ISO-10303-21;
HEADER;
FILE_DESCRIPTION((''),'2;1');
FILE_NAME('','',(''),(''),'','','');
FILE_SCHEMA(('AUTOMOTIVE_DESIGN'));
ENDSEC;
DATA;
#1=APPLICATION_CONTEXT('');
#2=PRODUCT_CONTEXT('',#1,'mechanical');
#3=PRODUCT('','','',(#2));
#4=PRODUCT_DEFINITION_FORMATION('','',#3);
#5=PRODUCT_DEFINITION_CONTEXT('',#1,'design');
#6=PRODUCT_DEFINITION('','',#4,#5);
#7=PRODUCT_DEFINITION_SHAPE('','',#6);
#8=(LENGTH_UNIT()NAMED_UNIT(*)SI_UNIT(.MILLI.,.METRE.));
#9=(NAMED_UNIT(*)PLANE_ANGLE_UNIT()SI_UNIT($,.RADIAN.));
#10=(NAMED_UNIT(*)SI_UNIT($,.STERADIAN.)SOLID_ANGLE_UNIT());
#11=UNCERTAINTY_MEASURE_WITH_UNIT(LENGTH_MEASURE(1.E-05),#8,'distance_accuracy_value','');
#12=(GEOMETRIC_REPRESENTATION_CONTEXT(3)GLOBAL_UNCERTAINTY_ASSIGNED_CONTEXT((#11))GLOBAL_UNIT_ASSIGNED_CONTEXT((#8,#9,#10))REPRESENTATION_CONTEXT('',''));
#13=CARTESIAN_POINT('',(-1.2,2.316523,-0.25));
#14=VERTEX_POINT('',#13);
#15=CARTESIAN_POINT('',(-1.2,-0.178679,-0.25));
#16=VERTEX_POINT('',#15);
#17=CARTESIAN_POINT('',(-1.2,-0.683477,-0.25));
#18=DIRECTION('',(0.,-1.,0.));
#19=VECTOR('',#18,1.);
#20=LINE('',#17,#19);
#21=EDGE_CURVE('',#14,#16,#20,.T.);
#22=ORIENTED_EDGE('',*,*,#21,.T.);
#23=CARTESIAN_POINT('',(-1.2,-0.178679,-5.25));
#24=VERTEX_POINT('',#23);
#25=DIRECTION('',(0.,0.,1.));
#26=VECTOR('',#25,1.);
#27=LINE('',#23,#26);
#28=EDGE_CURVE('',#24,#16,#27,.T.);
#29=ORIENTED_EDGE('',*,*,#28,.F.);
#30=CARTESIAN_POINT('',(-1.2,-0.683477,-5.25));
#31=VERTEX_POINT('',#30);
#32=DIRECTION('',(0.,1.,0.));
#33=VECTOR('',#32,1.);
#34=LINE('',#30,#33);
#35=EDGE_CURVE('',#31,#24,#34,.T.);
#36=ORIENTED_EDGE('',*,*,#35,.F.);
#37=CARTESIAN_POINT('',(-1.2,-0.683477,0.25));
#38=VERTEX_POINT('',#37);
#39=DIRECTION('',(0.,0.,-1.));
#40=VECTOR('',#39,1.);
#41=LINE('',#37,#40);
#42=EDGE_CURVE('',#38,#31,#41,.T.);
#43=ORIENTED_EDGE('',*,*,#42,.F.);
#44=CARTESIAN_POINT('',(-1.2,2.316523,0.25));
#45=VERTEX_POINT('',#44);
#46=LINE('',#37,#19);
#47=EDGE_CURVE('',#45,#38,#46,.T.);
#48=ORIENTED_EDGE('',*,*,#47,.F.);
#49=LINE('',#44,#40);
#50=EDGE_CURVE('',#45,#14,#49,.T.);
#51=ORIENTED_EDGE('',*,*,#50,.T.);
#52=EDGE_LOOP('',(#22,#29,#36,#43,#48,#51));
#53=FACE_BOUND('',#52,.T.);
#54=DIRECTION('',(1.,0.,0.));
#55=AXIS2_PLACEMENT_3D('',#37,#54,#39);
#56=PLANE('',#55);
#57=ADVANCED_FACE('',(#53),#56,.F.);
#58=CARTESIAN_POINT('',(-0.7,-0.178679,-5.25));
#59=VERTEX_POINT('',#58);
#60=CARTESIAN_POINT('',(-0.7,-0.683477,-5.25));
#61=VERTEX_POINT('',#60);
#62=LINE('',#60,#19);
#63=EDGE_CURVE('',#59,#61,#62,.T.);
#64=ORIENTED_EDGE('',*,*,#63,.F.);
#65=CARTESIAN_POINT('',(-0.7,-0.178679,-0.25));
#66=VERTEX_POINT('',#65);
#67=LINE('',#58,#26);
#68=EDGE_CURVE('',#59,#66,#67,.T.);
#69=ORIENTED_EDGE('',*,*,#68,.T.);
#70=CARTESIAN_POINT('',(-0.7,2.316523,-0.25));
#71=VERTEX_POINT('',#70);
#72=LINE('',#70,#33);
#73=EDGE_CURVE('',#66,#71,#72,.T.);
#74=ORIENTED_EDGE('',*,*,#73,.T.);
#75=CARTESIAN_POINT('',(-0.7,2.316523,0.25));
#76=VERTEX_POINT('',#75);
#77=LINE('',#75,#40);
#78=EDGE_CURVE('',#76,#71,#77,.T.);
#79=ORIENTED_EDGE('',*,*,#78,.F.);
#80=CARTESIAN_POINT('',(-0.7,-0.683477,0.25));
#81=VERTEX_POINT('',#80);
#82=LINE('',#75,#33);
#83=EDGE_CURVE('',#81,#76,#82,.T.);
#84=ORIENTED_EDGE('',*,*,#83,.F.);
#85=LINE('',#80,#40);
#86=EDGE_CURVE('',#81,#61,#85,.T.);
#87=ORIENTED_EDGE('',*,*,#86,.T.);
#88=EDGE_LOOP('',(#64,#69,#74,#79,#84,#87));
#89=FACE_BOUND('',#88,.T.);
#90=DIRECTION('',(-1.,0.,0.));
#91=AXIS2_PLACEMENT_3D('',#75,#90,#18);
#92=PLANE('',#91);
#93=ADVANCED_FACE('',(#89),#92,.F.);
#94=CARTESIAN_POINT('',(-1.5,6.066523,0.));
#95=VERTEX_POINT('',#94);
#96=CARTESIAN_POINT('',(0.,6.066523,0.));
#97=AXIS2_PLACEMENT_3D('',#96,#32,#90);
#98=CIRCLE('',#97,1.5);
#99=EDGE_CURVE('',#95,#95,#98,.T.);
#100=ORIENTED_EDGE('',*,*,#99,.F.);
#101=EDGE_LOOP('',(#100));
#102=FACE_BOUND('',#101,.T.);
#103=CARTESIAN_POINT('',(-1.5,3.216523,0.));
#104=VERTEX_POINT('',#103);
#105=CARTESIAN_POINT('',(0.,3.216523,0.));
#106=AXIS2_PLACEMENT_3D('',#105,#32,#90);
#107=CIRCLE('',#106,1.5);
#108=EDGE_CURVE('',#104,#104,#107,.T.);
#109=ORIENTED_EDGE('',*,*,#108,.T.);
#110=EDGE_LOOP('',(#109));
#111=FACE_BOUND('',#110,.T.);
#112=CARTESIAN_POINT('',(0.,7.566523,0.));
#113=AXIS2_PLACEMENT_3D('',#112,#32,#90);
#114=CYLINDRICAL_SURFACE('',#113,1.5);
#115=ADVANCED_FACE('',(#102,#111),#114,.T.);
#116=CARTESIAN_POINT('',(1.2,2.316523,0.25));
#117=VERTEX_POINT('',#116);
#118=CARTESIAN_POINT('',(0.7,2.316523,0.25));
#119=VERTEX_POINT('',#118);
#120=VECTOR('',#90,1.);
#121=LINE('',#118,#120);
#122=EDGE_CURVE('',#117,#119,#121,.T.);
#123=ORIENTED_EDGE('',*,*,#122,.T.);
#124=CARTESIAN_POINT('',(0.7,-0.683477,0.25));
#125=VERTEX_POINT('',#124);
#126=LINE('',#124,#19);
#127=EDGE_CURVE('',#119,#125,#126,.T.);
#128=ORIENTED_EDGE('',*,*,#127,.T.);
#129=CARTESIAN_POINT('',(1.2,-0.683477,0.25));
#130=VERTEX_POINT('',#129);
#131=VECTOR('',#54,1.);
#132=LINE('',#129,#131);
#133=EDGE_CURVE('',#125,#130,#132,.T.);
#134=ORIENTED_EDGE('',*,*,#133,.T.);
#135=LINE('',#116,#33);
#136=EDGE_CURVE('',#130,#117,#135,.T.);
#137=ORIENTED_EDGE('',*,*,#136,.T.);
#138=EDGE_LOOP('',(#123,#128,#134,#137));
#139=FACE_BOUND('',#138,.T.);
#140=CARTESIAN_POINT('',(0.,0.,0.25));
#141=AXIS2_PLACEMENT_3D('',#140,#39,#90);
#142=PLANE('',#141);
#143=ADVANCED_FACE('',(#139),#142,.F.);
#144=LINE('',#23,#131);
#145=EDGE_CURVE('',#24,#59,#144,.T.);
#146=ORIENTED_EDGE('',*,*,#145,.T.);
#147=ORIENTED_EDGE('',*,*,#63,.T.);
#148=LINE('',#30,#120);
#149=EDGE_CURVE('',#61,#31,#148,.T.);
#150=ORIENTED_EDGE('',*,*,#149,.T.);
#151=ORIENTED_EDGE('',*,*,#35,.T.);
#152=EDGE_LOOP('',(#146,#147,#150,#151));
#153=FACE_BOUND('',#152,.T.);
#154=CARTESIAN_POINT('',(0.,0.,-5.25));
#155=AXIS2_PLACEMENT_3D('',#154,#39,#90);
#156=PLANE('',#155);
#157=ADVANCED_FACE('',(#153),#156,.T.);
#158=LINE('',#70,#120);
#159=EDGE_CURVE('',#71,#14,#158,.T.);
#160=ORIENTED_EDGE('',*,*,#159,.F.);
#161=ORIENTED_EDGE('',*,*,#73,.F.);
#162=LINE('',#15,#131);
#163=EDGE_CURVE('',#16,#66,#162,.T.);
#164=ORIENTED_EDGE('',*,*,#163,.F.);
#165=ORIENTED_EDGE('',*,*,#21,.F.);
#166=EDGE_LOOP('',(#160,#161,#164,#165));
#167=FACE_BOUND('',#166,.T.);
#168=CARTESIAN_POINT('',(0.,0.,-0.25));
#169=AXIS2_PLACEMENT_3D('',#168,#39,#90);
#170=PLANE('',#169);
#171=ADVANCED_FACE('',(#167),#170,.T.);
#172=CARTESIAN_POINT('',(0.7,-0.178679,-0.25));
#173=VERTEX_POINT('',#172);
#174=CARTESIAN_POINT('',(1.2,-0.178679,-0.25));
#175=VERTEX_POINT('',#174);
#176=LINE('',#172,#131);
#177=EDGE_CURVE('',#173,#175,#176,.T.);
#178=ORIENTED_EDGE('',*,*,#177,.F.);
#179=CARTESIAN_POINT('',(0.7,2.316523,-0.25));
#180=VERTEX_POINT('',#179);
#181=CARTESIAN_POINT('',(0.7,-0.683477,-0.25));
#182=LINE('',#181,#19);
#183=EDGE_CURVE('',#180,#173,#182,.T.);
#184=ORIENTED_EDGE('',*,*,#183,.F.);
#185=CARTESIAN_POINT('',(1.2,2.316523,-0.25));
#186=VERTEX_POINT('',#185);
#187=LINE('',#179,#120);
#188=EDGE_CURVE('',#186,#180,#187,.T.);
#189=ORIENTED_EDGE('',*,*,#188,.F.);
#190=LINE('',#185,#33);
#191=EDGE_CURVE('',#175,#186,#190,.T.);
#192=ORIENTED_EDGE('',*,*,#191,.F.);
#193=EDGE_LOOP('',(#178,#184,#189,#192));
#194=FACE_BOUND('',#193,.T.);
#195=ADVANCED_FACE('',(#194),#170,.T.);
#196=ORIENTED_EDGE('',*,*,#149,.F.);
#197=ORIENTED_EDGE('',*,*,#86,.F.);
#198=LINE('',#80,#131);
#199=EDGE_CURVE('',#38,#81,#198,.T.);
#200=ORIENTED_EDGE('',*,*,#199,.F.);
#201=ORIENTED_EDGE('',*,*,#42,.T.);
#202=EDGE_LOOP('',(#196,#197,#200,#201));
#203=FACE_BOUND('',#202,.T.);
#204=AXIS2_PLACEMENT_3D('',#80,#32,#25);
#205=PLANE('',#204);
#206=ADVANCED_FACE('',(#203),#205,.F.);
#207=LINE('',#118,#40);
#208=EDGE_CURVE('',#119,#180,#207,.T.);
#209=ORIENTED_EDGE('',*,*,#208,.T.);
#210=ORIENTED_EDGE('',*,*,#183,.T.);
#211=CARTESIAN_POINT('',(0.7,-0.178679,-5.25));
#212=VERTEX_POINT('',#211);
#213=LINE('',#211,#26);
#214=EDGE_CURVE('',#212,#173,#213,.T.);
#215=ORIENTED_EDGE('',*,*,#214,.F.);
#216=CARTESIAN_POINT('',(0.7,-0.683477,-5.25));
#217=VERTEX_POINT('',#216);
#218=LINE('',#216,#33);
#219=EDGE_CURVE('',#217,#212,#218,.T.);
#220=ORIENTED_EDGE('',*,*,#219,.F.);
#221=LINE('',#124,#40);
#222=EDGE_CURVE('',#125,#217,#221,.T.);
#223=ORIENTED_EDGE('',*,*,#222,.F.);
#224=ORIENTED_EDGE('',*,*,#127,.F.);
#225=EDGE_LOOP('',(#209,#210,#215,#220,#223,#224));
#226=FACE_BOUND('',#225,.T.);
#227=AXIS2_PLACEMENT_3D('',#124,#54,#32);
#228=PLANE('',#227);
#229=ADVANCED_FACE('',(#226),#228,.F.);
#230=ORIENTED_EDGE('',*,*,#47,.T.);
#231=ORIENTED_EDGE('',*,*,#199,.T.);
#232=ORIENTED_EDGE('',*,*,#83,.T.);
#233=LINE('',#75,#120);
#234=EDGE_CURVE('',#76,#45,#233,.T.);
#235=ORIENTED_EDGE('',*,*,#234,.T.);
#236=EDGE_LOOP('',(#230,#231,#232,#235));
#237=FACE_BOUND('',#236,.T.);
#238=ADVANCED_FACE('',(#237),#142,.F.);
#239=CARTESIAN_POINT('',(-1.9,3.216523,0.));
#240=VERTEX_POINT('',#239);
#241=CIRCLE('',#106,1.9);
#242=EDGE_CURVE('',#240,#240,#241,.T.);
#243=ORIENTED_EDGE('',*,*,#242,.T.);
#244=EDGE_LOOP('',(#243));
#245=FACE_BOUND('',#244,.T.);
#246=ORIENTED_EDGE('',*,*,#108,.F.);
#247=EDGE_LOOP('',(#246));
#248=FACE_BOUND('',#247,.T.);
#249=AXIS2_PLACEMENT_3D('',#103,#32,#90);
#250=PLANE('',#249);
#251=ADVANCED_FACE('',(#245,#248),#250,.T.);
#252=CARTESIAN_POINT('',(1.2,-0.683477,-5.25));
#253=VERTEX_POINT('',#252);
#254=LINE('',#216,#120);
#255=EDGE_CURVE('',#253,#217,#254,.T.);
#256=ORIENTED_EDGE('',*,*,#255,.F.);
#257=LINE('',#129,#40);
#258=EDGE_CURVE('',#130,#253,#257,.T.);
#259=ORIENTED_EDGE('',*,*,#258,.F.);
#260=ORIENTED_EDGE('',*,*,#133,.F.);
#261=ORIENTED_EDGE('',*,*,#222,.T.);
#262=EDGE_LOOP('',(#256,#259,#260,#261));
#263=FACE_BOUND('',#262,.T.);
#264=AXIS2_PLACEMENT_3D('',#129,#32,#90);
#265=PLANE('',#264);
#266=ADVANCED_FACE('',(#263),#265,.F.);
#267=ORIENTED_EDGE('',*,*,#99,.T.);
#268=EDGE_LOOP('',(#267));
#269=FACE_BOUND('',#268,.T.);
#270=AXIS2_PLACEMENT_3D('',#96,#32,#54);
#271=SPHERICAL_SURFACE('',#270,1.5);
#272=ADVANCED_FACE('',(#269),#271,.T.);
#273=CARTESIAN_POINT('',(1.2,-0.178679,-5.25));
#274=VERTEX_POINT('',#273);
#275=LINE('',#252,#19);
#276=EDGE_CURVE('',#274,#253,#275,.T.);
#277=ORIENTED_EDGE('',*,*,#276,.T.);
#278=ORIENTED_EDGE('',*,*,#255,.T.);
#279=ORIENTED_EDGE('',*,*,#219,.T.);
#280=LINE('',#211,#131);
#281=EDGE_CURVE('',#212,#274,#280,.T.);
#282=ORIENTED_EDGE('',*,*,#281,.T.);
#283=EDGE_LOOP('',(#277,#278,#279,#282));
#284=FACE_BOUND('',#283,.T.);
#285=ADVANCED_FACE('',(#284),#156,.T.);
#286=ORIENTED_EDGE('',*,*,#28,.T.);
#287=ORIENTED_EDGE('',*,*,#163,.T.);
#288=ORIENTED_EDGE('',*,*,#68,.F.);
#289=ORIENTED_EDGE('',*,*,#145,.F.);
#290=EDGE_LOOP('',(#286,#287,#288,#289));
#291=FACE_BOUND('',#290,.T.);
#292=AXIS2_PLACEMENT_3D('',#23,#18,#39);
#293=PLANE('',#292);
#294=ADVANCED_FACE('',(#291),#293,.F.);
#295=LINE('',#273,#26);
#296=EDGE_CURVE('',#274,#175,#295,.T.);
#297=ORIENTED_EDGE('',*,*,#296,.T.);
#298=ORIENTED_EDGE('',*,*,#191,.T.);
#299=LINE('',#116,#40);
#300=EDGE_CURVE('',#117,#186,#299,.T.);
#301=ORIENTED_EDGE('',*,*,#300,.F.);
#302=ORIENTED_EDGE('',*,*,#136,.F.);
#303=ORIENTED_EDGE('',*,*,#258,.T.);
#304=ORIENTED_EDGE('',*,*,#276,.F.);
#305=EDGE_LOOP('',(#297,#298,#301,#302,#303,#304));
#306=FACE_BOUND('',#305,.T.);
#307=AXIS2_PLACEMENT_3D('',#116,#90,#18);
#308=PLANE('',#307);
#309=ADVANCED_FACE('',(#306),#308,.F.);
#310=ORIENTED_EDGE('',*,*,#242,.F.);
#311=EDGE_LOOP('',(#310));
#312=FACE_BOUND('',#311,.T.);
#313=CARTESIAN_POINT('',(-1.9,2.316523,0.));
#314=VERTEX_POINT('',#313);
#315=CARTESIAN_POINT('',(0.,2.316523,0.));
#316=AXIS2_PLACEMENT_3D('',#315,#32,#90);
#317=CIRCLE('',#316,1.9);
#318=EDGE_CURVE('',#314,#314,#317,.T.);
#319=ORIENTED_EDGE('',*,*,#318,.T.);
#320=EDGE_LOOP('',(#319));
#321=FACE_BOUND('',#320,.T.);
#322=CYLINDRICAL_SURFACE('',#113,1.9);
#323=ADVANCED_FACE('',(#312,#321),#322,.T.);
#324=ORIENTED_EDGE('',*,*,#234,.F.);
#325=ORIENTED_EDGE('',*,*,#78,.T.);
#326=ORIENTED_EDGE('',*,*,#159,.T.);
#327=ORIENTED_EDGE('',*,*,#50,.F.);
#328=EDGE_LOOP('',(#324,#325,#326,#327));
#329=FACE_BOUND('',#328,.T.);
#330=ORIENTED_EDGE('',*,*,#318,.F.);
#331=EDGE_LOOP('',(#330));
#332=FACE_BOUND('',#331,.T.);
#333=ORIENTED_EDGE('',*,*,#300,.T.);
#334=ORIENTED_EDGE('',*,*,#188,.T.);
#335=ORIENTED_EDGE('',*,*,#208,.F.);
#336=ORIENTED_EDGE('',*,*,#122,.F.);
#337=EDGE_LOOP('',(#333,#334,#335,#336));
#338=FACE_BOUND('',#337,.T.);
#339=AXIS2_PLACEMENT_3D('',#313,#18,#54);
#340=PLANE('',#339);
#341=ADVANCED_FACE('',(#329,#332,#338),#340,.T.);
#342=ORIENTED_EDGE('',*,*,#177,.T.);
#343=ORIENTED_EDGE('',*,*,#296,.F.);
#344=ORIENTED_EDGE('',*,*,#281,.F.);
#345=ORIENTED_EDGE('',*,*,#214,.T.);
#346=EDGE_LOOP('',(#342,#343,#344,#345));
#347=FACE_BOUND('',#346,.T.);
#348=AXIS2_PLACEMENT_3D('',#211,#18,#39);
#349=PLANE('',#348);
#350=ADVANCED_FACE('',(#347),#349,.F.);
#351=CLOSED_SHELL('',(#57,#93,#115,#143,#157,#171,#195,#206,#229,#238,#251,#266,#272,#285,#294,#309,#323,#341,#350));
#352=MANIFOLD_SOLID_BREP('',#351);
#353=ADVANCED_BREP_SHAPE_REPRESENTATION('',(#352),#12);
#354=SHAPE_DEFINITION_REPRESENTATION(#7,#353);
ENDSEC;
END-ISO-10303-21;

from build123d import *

# Parameters (mm, degrees)
SKICA2_W                = 0.5
SKICA2_H                = 3
P_IDAT_VYSUNUT_M1_DEPTH = 0.25
SKICA3_W                = 0.5
SKICA3_H                = 0.504797781
P_IDAT_VYSUNUT_M2_DEPTH = 5


with BuildPart() as part:
    # Skica1 → Rotovat1 (revolve)
    with BuildSketch(Plane.XY):
        with BuildLine():
            Line((-1.5, 6.066522781), (-1.5, 3.216522781))
            Line((-1.5, 3.216522781), (-1.9, 3.216522781))
            Line((-1.9, 3.216522781), (-1.9, 2.316522781))
            Line((-1.9, 2.316522781), (0, 2.316522781))
            Line((0, 2.316522781), (0, 7.566522781))
            ThreePointArc((0, 7.566522781), (-1.060660172, 7.127182953), (-1.5, 6.066522781))
        make_face()
    revolve(axis=Axis((0, 7.566522781, 0), (0, -1, 0)))

    # Skica2 → Přidat vysunutím1 (add, symmetric)
    with BuildSketch(Plane.XY):
        with Locations((0.95, 0.816522781)):
            Rectangle(SKICA2_W, SKICA2_H)
        with Locations((-0.95, 0.816522781)):
            Rectangle(SKICA2_W, SKICA2_H)
    extrude(amount=P_IDAT_VYSUNUT_M1_DEPTH, both=True)

    # Skica3 → Přidat vysunutím2 (add)
    with BuildSketch(Plane(origin=(0, 0, -0.25), x_dir=(-1, 0, 0), z_dir=(0, 0, -1))):
        with Locations((0.95, -0.431078329)):
            Rectangle(SKICA3_W, SKICA3_H)
        with Locations((-0.95, -0.431078329)):
            Rectangle(SKICA3_W, SKICA3_H)
    extrude(amount=P_IDAT_VYSUNUT_M2_DEPTH)


solid = part.part
